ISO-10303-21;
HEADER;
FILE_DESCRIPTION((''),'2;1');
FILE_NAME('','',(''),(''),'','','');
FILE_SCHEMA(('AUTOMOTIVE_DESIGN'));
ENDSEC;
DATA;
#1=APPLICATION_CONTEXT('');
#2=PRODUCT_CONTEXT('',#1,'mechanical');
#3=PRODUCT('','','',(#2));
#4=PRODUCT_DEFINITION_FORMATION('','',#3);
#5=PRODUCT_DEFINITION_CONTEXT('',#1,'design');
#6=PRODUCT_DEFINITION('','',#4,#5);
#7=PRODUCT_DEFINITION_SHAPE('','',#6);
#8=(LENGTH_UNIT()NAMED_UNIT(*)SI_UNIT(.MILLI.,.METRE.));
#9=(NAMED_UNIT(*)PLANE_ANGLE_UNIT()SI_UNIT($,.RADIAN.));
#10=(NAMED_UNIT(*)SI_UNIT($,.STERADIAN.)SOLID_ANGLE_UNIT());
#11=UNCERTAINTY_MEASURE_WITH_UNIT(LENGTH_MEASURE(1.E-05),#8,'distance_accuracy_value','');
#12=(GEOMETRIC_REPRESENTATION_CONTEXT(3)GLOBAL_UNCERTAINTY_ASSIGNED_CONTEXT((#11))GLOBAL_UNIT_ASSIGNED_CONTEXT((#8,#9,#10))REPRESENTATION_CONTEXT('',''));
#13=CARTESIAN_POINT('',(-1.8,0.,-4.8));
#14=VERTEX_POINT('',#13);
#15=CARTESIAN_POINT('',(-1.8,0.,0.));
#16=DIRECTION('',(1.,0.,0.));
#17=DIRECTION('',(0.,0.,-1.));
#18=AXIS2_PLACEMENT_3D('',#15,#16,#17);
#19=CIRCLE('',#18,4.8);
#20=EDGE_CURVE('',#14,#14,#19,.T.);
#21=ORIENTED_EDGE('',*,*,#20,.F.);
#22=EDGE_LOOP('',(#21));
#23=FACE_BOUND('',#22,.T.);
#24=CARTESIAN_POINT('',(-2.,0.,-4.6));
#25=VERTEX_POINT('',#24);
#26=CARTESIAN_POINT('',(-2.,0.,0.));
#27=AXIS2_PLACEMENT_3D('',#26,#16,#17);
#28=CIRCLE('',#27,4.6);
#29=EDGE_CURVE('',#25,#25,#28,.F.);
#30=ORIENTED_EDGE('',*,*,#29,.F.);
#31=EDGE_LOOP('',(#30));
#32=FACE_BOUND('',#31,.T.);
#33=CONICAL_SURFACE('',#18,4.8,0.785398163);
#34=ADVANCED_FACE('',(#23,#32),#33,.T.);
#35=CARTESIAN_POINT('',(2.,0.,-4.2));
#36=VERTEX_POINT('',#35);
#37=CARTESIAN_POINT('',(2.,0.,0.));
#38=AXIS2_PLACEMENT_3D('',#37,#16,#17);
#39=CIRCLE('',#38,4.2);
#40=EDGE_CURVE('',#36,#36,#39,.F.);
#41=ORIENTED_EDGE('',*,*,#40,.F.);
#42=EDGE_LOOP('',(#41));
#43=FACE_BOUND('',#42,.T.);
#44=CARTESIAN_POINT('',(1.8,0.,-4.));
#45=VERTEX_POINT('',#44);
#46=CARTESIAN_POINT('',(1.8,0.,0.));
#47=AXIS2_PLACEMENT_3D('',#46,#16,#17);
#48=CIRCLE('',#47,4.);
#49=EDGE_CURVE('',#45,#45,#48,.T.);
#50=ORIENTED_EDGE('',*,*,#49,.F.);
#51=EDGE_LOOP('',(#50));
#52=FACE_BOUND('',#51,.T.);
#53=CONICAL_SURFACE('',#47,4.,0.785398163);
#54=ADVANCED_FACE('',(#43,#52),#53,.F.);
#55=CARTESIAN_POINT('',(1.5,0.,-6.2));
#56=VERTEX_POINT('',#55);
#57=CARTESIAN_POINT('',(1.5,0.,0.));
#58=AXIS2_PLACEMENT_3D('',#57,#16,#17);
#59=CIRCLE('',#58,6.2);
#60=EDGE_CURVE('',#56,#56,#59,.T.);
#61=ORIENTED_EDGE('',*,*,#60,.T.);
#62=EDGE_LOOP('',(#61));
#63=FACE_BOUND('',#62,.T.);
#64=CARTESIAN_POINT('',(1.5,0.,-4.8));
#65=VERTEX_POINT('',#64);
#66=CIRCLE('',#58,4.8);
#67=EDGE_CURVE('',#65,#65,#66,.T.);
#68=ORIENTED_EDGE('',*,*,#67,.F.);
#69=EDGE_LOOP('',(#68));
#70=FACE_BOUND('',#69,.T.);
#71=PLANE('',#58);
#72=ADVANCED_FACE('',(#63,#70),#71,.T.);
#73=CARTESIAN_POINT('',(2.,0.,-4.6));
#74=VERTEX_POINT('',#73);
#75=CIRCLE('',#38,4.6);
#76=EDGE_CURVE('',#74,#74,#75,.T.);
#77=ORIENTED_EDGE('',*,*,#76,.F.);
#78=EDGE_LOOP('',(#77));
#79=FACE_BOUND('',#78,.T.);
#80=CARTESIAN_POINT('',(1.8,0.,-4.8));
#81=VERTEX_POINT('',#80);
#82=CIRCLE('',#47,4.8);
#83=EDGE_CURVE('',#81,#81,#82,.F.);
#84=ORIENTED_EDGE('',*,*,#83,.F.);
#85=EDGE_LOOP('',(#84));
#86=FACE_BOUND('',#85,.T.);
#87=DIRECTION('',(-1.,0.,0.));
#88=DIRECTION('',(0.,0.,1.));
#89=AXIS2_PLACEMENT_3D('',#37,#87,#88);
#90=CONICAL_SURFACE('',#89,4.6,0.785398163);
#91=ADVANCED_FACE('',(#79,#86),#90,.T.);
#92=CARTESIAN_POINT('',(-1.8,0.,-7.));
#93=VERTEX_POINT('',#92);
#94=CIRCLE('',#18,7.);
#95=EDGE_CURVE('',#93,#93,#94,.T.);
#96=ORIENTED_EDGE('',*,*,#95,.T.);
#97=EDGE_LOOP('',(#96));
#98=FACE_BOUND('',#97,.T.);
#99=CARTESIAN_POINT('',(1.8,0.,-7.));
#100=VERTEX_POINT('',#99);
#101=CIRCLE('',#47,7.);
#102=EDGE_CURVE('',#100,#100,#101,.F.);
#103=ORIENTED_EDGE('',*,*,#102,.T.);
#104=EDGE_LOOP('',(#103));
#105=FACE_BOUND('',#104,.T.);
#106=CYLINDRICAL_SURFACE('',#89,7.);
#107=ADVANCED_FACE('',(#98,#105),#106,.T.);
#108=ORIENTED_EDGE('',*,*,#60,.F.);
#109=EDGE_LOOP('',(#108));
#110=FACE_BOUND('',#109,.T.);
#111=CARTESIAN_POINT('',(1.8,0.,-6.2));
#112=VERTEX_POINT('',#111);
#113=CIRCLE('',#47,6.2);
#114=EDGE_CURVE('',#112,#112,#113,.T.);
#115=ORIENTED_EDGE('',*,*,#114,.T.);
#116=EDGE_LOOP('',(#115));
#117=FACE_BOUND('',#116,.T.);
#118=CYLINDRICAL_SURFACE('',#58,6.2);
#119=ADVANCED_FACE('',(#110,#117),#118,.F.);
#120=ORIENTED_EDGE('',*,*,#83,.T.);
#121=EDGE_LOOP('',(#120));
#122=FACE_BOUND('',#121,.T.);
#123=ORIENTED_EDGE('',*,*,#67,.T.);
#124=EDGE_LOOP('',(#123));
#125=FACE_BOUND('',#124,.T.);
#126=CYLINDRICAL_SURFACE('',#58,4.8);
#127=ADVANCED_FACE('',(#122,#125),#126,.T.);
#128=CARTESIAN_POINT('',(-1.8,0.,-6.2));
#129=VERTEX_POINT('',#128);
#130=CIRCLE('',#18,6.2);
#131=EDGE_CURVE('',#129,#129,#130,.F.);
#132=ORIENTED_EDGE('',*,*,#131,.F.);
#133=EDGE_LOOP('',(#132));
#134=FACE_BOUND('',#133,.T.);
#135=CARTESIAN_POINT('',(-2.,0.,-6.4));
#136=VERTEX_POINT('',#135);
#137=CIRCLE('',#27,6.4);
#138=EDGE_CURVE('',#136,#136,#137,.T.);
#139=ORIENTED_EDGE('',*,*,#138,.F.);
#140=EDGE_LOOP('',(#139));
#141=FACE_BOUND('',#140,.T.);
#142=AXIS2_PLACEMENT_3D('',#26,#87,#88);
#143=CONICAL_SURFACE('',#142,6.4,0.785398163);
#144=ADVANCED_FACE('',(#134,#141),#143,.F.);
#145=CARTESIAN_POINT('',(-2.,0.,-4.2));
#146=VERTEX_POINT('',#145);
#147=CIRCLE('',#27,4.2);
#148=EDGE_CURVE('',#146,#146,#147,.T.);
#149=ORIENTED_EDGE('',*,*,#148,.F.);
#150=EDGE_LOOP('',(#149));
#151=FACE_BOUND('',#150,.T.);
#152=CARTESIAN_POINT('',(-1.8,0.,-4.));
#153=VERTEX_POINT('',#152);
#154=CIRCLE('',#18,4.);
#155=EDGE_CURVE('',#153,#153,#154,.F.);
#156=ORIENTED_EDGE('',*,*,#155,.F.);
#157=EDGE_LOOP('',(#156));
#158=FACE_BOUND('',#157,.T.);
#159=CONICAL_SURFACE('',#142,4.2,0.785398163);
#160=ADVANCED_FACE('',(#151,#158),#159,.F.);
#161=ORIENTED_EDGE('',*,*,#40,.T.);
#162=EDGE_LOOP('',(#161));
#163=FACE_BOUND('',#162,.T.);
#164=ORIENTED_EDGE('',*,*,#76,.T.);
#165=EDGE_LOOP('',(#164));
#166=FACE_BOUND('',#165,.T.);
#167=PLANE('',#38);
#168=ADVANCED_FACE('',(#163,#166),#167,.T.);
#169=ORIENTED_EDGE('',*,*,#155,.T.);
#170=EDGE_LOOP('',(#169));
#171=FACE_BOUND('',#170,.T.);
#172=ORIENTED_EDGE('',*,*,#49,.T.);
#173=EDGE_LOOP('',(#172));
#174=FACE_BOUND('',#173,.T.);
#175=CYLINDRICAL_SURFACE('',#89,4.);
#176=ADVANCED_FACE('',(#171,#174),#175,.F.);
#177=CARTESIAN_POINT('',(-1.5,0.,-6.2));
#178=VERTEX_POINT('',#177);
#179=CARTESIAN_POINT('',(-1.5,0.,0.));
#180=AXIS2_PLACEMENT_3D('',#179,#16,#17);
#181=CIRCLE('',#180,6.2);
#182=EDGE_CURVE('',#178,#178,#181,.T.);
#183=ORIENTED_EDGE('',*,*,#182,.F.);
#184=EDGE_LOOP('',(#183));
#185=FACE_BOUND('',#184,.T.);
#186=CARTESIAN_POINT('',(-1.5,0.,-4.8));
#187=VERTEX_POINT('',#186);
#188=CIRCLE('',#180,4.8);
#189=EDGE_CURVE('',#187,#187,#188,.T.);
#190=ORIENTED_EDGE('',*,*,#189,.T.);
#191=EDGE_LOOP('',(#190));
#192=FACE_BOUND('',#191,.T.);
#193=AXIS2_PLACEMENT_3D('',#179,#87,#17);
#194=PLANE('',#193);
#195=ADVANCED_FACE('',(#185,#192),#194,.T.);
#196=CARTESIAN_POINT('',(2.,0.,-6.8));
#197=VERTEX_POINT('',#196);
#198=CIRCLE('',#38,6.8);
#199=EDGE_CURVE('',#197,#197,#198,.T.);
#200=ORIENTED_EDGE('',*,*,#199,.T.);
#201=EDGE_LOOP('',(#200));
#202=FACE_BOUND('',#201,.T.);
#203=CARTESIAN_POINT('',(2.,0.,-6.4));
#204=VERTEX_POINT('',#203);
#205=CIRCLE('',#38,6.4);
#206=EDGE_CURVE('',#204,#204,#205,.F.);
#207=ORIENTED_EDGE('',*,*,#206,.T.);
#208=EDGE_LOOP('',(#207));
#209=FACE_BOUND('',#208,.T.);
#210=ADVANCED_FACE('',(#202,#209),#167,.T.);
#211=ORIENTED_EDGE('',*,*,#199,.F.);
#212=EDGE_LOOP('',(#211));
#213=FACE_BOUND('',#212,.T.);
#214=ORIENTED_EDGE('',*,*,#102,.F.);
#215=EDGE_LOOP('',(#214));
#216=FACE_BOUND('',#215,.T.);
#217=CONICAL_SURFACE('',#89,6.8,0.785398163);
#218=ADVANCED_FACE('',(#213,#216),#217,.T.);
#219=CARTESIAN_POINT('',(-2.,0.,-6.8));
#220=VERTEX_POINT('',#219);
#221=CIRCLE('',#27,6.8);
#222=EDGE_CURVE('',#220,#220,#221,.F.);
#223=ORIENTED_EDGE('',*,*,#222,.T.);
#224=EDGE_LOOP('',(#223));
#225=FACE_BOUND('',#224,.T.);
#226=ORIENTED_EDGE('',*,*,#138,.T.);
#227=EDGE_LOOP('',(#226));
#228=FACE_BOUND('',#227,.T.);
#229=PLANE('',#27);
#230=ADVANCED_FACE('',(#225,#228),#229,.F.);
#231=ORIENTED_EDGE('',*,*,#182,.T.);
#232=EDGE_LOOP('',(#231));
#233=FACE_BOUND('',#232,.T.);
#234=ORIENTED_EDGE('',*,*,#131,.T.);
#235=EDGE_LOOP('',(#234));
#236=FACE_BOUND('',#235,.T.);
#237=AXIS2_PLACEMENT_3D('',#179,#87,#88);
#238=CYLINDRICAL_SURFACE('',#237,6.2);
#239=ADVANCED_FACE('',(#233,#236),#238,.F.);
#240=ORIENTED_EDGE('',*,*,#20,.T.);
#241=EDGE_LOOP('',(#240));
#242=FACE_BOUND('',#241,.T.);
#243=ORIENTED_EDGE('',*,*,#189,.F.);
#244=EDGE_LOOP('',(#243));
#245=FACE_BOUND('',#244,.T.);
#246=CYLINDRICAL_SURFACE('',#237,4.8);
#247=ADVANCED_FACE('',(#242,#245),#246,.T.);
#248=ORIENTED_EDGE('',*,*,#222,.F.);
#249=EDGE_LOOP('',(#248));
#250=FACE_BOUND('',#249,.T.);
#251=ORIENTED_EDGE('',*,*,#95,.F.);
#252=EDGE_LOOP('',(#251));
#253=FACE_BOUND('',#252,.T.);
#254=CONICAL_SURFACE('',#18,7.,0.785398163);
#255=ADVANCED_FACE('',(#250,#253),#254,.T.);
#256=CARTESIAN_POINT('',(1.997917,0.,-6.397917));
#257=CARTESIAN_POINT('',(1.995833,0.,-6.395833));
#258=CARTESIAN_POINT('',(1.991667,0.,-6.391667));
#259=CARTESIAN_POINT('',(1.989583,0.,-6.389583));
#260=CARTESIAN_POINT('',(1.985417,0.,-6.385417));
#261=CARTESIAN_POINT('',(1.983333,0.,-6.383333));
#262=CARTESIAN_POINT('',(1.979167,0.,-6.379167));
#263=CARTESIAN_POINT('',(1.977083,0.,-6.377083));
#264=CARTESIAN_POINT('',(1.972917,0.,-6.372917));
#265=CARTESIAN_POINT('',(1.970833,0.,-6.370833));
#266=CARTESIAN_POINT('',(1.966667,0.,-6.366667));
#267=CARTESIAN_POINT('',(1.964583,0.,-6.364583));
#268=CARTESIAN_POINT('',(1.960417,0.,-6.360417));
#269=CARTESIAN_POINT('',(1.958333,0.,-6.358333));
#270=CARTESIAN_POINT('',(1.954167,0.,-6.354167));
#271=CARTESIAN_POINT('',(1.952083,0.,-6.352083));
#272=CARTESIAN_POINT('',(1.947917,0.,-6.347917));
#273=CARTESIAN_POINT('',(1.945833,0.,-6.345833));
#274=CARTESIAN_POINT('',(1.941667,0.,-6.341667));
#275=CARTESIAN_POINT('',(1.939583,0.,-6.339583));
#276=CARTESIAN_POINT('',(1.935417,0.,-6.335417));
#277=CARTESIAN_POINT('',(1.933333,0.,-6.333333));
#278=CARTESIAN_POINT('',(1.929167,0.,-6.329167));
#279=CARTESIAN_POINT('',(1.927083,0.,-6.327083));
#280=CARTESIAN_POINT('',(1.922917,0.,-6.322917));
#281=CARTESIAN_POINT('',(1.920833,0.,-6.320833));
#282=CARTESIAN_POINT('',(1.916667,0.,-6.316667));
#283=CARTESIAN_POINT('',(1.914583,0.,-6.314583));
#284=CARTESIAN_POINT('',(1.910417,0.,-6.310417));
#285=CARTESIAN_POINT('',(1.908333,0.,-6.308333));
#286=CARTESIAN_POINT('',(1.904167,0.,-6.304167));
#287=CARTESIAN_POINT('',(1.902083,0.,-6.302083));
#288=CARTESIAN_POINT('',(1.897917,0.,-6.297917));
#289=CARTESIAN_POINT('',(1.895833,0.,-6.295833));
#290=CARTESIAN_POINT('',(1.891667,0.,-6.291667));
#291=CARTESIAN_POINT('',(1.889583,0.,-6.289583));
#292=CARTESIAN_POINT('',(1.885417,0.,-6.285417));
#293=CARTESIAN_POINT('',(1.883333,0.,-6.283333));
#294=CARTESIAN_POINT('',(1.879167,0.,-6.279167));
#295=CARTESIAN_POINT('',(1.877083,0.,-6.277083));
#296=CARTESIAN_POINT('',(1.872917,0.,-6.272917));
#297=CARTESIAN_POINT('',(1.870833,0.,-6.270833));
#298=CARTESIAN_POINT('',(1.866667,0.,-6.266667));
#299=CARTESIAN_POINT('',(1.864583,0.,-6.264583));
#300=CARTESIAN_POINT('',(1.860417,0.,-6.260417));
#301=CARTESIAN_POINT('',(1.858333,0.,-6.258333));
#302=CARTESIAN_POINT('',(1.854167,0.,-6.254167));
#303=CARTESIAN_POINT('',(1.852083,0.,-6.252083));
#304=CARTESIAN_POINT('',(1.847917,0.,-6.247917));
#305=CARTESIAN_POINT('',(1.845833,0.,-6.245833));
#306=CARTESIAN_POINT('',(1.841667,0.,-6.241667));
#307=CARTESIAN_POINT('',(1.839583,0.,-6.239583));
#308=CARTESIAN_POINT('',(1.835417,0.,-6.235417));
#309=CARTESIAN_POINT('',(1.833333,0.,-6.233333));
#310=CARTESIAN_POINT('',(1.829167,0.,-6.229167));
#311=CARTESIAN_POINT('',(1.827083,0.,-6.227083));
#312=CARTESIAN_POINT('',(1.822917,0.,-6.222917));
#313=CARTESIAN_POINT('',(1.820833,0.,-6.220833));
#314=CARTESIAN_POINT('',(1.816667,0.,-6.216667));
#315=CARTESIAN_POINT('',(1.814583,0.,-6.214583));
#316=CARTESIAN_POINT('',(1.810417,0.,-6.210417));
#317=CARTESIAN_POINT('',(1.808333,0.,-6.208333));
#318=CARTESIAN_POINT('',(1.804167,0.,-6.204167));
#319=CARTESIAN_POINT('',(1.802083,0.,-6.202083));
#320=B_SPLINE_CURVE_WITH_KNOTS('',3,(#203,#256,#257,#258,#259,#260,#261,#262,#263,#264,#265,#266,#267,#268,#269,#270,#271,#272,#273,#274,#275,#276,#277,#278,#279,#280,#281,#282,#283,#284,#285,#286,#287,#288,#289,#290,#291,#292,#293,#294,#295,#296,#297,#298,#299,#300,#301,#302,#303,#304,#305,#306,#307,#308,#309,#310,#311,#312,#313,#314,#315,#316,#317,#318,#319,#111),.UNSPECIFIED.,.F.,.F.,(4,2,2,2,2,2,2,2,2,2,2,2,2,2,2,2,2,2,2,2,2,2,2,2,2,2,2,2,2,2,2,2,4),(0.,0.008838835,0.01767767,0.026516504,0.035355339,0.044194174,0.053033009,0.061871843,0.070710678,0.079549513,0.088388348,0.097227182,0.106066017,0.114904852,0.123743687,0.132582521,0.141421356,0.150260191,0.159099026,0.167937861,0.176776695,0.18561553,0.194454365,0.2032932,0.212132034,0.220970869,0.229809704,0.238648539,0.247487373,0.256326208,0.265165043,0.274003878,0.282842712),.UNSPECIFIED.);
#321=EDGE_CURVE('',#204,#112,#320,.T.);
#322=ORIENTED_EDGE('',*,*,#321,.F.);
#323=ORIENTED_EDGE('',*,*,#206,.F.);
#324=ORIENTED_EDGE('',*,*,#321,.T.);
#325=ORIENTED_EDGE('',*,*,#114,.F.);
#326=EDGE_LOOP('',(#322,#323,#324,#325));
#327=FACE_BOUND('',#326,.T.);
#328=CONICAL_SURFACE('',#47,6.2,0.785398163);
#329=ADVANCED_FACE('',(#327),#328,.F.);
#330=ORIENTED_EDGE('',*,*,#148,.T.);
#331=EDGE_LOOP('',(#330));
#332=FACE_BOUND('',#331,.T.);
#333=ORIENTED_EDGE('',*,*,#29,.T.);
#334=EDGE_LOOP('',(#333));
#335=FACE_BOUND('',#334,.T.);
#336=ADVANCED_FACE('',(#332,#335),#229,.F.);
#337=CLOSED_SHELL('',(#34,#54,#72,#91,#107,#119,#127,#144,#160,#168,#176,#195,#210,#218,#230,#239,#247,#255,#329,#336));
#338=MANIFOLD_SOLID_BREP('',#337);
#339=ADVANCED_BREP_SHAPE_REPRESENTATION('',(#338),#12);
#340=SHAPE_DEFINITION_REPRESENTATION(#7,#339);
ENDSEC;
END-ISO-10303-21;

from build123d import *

# Parameters (mm, degrees)
SKETCH1_R           = 7
SKETCH1_R_2         = 4
BOSS_EXTRUDE1_DEPTH = 2
SKETCH2_R           = 6.2
SKETCH2_R_2         = 4.8
CUT_EXTRUDE1_DEPTH  = 0.5
CHAMFER1_SIZE       = 0.2


with BuildPart() as part:
    # Sketch1 → Boss-Extrude1 (new, symmetric)
    with BuildSketch(Plane(origin=(0, 0, 0), x_dir=(0, 0, -1), z_dir=(1, 0, 0))):
        Circle(SKETCH1_R)
        Circle(SKETCH1_R_2, mode=Mode.SUBTRACT)
    extrude(amount=BOSS_EXTRUDE1_DEPTH, both=True)

    # Sketch2 → Cut-Extrude1 (cut)
    with BuildSketch(Plane(origin=(2, 0, 0), x_dir=(0, 0, -1), z_dir=(1, 0, 0))):
        Circle(SKETCH2_R)
        Circle(SKETCH2_R_2, mode=Mode.SUBTRACT)
    cut_extrude1 = extrude(amount=-CUT_EXTRUDE1_DEPTH, mode=Mode.SUBTRACT)

    # Mirror1: Cut-Extrude1 across plane
    add(cut_extrude1.mirror(Plane(origin=(0, 0, 0), x_dir=(0, 0, 1), z_dir=(1, 0, 0))), mode=Mode.SUBTRACT)

    # Chamfer1
    chamfer1_edges = [part.edges().sort_by_distance(p)[0] for p in [
        (2, 0, 6.2),
        (2, 0, 4.8),
        (-2, 0, 4.8),
        (-2, 0, 6.2),
        (-2, 0, 7),
        (2, 0, 7),
        (-2, 0, 4),
        (2, 0, 4),
    ]]
    chamfer(chamfer1_edges, length=CHAMFER1_SIZE)


solid = part.part
